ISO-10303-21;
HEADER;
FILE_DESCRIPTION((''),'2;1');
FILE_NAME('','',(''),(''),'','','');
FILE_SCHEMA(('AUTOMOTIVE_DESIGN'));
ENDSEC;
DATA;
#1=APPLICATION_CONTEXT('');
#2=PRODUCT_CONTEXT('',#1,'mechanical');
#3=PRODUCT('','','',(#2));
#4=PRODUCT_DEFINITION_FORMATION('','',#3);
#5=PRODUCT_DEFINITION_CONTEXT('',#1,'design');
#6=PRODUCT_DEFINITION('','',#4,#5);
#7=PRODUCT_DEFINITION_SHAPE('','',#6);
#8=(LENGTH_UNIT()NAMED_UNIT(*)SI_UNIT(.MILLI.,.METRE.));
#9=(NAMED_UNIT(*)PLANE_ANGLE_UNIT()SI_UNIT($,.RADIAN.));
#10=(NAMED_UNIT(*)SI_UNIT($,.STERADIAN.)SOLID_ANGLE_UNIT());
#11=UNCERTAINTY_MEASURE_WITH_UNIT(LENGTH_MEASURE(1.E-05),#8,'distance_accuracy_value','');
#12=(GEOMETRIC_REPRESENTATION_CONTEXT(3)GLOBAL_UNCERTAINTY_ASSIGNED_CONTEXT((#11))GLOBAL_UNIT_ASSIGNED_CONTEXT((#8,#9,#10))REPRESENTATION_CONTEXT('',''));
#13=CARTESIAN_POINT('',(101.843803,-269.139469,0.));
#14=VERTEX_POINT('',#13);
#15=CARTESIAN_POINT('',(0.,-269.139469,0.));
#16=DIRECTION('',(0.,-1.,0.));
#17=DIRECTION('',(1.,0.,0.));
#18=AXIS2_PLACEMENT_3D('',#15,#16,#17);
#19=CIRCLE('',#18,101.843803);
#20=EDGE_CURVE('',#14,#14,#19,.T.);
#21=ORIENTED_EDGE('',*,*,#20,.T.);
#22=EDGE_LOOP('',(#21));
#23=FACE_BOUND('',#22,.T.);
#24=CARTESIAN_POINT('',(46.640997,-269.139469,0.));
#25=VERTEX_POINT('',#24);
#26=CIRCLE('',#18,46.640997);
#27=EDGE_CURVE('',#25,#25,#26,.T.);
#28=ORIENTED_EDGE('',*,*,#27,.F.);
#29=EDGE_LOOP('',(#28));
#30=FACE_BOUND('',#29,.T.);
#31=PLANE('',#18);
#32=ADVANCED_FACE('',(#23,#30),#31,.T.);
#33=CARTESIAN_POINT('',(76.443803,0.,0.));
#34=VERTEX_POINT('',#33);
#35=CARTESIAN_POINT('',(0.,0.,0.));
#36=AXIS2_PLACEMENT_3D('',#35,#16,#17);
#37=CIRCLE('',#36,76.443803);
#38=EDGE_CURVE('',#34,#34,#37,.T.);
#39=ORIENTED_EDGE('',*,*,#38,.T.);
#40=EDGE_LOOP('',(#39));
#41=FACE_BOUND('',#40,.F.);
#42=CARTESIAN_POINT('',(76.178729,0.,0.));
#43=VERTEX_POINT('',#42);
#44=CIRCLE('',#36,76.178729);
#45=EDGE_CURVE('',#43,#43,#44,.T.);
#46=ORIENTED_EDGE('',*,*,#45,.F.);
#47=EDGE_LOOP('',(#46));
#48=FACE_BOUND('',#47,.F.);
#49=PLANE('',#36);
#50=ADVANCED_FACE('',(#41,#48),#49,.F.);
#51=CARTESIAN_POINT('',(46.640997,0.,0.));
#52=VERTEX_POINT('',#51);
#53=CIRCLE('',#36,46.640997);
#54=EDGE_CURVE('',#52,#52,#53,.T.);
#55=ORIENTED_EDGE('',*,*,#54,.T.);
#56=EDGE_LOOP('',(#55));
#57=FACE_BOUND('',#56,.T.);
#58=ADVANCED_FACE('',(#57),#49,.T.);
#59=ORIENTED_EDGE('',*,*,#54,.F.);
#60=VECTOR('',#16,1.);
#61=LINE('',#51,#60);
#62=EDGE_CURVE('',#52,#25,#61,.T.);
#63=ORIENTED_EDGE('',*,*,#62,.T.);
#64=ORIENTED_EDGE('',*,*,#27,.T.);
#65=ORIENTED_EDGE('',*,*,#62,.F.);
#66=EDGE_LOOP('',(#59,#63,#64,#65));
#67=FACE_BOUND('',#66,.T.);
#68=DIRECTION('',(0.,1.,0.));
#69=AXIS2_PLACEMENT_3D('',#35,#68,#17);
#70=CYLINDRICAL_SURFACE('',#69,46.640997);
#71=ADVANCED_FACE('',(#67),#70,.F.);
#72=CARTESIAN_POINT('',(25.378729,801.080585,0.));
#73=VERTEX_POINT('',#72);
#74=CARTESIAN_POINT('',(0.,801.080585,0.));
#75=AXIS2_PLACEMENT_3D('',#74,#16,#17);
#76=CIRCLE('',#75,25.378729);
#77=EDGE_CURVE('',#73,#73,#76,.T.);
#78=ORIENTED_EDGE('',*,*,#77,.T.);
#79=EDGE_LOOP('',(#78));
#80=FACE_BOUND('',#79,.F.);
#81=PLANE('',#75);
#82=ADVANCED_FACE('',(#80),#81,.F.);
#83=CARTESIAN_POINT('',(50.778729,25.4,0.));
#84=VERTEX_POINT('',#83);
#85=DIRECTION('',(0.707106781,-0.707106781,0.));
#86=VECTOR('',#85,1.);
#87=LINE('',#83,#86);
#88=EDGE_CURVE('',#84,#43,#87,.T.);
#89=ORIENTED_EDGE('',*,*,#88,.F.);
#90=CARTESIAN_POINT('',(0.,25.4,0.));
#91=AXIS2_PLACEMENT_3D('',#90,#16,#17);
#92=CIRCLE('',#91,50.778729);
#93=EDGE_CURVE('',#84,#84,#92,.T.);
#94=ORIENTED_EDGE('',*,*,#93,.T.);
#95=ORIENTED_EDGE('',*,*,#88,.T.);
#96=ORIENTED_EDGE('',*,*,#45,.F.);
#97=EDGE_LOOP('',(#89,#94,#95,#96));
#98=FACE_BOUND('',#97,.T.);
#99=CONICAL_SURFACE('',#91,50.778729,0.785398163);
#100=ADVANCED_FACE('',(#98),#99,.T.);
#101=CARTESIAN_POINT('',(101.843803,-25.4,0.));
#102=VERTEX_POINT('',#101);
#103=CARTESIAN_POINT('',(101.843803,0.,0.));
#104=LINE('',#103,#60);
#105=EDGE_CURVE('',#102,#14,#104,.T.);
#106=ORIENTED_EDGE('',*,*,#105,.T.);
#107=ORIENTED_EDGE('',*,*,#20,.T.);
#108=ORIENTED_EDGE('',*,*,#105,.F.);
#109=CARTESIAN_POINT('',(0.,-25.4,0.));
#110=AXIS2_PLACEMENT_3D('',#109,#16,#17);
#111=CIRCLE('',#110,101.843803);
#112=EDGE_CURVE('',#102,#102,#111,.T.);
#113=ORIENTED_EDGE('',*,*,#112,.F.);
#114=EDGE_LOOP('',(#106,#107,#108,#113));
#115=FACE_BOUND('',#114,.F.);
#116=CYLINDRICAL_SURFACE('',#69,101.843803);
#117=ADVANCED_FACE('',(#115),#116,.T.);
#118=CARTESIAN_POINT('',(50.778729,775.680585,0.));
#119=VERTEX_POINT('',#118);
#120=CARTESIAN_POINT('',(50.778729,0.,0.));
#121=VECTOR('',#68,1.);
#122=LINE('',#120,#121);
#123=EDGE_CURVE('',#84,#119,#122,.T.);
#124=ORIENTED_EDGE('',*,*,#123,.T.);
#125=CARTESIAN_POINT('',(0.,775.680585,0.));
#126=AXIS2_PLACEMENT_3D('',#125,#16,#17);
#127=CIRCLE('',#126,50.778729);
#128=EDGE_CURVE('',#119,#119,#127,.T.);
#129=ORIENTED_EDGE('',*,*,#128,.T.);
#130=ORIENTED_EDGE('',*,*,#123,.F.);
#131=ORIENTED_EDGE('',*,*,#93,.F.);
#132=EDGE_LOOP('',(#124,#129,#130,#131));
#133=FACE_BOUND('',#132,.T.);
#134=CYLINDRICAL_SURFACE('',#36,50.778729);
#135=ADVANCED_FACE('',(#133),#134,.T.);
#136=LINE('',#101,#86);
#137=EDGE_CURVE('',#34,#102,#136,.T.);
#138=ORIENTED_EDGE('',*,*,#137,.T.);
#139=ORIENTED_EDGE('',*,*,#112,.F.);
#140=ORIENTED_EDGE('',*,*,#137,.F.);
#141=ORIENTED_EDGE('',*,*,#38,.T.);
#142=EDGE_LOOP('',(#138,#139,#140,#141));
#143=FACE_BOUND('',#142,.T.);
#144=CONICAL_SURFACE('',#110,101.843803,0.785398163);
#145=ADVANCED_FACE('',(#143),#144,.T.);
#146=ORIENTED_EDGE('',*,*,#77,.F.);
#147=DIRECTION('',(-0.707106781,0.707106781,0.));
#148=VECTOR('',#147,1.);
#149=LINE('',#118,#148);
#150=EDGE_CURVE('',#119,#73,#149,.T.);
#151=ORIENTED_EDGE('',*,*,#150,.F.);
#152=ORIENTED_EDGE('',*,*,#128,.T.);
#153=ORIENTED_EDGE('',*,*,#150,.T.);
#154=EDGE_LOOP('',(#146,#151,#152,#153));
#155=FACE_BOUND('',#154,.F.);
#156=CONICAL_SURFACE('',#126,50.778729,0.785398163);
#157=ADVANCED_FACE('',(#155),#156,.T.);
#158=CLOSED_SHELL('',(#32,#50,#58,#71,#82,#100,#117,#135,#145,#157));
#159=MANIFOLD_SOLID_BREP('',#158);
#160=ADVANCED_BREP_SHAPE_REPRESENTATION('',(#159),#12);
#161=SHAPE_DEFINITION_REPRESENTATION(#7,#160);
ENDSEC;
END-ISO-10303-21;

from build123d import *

# Parameters (mm, degrees)
F0_R     = 101.843803
F0_R_2   = 46.640997
F1_DEPTH = 269.139469
F2_R     = 50.778729
F3_DEPTH = 801.080585
F4_SIZE  = 25.4


with BuildPart() as f1:
    # F0 (on Front) → F1 (new body)
    with BuildSketch(Plane.XZ):
        Circle(F0_R)
        Circle(F0_R_2, mode=Mode.SUBTRACT)
    extrude(amount=F1_DEPTH)

    # F2 (on Front) → F3 (join)
    with BuildSketch(Plane.XZ):
        Circle(F2_R)
    extrude(amount=-F3_DEPTH)

    # F4
    f4_edges = [f1.edges().sort_by_distance(p)[0] for p in [
        (50.778729, 400.540292, 0),
        (-50.778729, 0, 0),
        (-50.778729, 801.080585, 0),
        (-101.843803, 0, 0),
    ]]
    chamfer(f4_edges, length=F4_SIZE)


solid = f1.part
